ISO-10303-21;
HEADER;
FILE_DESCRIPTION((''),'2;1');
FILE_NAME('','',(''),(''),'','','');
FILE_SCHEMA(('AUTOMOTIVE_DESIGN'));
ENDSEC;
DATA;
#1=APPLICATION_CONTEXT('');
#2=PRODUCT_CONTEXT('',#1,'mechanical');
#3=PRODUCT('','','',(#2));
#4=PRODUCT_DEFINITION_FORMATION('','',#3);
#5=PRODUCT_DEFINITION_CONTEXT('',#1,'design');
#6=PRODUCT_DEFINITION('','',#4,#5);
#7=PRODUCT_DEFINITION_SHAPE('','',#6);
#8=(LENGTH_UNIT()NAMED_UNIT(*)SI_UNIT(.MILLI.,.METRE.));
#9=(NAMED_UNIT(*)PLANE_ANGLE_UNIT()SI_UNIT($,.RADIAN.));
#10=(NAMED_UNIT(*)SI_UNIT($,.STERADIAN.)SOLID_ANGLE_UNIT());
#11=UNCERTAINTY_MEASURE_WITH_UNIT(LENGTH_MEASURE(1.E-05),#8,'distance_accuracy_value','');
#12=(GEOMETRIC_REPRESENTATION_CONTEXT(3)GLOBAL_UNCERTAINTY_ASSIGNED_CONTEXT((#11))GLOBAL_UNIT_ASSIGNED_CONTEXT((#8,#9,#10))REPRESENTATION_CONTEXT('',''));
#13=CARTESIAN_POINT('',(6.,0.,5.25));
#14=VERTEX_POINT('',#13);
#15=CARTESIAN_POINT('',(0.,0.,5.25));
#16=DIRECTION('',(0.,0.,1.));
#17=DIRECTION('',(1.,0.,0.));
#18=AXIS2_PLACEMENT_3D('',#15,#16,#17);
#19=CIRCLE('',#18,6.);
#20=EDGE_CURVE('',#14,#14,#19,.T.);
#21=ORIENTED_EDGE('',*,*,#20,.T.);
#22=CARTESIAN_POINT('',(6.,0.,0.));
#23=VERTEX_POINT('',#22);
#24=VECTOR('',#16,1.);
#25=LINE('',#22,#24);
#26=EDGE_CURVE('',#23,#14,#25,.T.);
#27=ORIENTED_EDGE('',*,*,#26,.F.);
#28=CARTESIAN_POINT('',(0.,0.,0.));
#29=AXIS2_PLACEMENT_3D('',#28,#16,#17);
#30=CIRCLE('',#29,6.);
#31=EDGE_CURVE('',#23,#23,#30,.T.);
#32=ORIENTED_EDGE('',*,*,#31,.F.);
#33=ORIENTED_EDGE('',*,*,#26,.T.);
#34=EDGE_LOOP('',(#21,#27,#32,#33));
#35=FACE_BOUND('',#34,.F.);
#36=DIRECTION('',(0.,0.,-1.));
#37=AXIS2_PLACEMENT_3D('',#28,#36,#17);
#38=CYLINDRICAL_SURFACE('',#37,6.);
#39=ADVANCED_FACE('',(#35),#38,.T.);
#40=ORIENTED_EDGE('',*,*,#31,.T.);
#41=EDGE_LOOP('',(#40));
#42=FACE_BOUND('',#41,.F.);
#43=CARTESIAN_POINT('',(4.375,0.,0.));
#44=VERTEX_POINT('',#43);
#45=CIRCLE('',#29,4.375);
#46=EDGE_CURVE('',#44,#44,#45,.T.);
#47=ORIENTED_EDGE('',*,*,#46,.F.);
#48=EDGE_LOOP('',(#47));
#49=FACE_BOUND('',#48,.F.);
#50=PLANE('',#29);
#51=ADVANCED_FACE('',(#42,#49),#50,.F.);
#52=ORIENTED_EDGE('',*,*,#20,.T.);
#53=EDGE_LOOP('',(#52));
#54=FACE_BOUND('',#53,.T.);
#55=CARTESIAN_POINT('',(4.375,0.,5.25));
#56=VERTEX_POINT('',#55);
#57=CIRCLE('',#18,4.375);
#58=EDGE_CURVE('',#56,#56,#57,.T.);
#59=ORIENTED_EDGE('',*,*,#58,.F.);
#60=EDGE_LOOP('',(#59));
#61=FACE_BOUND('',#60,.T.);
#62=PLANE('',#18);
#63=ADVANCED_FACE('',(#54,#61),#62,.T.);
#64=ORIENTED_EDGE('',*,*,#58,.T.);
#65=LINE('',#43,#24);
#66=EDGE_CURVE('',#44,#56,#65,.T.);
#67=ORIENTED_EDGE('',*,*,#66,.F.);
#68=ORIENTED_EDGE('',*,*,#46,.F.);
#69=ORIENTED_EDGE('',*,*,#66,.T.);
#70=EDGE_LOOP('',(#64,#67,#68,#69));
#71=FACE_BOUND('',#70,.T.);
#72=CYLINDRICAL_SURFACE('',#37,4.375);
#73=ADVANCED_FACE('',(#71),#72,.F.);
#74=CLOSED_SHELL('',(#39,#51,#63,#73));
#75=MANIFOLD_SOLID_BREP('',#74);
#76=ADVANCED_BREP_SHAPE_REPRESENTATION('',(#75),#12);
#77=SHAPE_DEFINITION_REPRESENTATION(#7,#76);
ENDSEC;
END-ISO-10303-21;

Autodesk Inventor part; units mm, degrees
ref_plane "YZ Plane" through (0, 0, 0) normal (1, 0, 0) x (0, 1, 0)
ref_plane "XZ Plane" through (0, 0, 0) normal (0, 1, 0) x (-1, 0, 0)
ref_plane "XY Plane" through (0, 0, 0) normal (0, 0, 1) x (1, 0, 0)
sketch "Skizze1" plane through (0, 0, 0) normal (0, 0, 1) x (1, 0, 0)
  circle A0 centre (0, 0) radius 6
  circle A1 centre (0, 0) radius 4.375
  dimension "d0" = 12
  dimension "d6" = 8.75
extrude "Extrusion3" add sketch "Skizze1" along normal blind 5.25
properties part number "Federteller"
